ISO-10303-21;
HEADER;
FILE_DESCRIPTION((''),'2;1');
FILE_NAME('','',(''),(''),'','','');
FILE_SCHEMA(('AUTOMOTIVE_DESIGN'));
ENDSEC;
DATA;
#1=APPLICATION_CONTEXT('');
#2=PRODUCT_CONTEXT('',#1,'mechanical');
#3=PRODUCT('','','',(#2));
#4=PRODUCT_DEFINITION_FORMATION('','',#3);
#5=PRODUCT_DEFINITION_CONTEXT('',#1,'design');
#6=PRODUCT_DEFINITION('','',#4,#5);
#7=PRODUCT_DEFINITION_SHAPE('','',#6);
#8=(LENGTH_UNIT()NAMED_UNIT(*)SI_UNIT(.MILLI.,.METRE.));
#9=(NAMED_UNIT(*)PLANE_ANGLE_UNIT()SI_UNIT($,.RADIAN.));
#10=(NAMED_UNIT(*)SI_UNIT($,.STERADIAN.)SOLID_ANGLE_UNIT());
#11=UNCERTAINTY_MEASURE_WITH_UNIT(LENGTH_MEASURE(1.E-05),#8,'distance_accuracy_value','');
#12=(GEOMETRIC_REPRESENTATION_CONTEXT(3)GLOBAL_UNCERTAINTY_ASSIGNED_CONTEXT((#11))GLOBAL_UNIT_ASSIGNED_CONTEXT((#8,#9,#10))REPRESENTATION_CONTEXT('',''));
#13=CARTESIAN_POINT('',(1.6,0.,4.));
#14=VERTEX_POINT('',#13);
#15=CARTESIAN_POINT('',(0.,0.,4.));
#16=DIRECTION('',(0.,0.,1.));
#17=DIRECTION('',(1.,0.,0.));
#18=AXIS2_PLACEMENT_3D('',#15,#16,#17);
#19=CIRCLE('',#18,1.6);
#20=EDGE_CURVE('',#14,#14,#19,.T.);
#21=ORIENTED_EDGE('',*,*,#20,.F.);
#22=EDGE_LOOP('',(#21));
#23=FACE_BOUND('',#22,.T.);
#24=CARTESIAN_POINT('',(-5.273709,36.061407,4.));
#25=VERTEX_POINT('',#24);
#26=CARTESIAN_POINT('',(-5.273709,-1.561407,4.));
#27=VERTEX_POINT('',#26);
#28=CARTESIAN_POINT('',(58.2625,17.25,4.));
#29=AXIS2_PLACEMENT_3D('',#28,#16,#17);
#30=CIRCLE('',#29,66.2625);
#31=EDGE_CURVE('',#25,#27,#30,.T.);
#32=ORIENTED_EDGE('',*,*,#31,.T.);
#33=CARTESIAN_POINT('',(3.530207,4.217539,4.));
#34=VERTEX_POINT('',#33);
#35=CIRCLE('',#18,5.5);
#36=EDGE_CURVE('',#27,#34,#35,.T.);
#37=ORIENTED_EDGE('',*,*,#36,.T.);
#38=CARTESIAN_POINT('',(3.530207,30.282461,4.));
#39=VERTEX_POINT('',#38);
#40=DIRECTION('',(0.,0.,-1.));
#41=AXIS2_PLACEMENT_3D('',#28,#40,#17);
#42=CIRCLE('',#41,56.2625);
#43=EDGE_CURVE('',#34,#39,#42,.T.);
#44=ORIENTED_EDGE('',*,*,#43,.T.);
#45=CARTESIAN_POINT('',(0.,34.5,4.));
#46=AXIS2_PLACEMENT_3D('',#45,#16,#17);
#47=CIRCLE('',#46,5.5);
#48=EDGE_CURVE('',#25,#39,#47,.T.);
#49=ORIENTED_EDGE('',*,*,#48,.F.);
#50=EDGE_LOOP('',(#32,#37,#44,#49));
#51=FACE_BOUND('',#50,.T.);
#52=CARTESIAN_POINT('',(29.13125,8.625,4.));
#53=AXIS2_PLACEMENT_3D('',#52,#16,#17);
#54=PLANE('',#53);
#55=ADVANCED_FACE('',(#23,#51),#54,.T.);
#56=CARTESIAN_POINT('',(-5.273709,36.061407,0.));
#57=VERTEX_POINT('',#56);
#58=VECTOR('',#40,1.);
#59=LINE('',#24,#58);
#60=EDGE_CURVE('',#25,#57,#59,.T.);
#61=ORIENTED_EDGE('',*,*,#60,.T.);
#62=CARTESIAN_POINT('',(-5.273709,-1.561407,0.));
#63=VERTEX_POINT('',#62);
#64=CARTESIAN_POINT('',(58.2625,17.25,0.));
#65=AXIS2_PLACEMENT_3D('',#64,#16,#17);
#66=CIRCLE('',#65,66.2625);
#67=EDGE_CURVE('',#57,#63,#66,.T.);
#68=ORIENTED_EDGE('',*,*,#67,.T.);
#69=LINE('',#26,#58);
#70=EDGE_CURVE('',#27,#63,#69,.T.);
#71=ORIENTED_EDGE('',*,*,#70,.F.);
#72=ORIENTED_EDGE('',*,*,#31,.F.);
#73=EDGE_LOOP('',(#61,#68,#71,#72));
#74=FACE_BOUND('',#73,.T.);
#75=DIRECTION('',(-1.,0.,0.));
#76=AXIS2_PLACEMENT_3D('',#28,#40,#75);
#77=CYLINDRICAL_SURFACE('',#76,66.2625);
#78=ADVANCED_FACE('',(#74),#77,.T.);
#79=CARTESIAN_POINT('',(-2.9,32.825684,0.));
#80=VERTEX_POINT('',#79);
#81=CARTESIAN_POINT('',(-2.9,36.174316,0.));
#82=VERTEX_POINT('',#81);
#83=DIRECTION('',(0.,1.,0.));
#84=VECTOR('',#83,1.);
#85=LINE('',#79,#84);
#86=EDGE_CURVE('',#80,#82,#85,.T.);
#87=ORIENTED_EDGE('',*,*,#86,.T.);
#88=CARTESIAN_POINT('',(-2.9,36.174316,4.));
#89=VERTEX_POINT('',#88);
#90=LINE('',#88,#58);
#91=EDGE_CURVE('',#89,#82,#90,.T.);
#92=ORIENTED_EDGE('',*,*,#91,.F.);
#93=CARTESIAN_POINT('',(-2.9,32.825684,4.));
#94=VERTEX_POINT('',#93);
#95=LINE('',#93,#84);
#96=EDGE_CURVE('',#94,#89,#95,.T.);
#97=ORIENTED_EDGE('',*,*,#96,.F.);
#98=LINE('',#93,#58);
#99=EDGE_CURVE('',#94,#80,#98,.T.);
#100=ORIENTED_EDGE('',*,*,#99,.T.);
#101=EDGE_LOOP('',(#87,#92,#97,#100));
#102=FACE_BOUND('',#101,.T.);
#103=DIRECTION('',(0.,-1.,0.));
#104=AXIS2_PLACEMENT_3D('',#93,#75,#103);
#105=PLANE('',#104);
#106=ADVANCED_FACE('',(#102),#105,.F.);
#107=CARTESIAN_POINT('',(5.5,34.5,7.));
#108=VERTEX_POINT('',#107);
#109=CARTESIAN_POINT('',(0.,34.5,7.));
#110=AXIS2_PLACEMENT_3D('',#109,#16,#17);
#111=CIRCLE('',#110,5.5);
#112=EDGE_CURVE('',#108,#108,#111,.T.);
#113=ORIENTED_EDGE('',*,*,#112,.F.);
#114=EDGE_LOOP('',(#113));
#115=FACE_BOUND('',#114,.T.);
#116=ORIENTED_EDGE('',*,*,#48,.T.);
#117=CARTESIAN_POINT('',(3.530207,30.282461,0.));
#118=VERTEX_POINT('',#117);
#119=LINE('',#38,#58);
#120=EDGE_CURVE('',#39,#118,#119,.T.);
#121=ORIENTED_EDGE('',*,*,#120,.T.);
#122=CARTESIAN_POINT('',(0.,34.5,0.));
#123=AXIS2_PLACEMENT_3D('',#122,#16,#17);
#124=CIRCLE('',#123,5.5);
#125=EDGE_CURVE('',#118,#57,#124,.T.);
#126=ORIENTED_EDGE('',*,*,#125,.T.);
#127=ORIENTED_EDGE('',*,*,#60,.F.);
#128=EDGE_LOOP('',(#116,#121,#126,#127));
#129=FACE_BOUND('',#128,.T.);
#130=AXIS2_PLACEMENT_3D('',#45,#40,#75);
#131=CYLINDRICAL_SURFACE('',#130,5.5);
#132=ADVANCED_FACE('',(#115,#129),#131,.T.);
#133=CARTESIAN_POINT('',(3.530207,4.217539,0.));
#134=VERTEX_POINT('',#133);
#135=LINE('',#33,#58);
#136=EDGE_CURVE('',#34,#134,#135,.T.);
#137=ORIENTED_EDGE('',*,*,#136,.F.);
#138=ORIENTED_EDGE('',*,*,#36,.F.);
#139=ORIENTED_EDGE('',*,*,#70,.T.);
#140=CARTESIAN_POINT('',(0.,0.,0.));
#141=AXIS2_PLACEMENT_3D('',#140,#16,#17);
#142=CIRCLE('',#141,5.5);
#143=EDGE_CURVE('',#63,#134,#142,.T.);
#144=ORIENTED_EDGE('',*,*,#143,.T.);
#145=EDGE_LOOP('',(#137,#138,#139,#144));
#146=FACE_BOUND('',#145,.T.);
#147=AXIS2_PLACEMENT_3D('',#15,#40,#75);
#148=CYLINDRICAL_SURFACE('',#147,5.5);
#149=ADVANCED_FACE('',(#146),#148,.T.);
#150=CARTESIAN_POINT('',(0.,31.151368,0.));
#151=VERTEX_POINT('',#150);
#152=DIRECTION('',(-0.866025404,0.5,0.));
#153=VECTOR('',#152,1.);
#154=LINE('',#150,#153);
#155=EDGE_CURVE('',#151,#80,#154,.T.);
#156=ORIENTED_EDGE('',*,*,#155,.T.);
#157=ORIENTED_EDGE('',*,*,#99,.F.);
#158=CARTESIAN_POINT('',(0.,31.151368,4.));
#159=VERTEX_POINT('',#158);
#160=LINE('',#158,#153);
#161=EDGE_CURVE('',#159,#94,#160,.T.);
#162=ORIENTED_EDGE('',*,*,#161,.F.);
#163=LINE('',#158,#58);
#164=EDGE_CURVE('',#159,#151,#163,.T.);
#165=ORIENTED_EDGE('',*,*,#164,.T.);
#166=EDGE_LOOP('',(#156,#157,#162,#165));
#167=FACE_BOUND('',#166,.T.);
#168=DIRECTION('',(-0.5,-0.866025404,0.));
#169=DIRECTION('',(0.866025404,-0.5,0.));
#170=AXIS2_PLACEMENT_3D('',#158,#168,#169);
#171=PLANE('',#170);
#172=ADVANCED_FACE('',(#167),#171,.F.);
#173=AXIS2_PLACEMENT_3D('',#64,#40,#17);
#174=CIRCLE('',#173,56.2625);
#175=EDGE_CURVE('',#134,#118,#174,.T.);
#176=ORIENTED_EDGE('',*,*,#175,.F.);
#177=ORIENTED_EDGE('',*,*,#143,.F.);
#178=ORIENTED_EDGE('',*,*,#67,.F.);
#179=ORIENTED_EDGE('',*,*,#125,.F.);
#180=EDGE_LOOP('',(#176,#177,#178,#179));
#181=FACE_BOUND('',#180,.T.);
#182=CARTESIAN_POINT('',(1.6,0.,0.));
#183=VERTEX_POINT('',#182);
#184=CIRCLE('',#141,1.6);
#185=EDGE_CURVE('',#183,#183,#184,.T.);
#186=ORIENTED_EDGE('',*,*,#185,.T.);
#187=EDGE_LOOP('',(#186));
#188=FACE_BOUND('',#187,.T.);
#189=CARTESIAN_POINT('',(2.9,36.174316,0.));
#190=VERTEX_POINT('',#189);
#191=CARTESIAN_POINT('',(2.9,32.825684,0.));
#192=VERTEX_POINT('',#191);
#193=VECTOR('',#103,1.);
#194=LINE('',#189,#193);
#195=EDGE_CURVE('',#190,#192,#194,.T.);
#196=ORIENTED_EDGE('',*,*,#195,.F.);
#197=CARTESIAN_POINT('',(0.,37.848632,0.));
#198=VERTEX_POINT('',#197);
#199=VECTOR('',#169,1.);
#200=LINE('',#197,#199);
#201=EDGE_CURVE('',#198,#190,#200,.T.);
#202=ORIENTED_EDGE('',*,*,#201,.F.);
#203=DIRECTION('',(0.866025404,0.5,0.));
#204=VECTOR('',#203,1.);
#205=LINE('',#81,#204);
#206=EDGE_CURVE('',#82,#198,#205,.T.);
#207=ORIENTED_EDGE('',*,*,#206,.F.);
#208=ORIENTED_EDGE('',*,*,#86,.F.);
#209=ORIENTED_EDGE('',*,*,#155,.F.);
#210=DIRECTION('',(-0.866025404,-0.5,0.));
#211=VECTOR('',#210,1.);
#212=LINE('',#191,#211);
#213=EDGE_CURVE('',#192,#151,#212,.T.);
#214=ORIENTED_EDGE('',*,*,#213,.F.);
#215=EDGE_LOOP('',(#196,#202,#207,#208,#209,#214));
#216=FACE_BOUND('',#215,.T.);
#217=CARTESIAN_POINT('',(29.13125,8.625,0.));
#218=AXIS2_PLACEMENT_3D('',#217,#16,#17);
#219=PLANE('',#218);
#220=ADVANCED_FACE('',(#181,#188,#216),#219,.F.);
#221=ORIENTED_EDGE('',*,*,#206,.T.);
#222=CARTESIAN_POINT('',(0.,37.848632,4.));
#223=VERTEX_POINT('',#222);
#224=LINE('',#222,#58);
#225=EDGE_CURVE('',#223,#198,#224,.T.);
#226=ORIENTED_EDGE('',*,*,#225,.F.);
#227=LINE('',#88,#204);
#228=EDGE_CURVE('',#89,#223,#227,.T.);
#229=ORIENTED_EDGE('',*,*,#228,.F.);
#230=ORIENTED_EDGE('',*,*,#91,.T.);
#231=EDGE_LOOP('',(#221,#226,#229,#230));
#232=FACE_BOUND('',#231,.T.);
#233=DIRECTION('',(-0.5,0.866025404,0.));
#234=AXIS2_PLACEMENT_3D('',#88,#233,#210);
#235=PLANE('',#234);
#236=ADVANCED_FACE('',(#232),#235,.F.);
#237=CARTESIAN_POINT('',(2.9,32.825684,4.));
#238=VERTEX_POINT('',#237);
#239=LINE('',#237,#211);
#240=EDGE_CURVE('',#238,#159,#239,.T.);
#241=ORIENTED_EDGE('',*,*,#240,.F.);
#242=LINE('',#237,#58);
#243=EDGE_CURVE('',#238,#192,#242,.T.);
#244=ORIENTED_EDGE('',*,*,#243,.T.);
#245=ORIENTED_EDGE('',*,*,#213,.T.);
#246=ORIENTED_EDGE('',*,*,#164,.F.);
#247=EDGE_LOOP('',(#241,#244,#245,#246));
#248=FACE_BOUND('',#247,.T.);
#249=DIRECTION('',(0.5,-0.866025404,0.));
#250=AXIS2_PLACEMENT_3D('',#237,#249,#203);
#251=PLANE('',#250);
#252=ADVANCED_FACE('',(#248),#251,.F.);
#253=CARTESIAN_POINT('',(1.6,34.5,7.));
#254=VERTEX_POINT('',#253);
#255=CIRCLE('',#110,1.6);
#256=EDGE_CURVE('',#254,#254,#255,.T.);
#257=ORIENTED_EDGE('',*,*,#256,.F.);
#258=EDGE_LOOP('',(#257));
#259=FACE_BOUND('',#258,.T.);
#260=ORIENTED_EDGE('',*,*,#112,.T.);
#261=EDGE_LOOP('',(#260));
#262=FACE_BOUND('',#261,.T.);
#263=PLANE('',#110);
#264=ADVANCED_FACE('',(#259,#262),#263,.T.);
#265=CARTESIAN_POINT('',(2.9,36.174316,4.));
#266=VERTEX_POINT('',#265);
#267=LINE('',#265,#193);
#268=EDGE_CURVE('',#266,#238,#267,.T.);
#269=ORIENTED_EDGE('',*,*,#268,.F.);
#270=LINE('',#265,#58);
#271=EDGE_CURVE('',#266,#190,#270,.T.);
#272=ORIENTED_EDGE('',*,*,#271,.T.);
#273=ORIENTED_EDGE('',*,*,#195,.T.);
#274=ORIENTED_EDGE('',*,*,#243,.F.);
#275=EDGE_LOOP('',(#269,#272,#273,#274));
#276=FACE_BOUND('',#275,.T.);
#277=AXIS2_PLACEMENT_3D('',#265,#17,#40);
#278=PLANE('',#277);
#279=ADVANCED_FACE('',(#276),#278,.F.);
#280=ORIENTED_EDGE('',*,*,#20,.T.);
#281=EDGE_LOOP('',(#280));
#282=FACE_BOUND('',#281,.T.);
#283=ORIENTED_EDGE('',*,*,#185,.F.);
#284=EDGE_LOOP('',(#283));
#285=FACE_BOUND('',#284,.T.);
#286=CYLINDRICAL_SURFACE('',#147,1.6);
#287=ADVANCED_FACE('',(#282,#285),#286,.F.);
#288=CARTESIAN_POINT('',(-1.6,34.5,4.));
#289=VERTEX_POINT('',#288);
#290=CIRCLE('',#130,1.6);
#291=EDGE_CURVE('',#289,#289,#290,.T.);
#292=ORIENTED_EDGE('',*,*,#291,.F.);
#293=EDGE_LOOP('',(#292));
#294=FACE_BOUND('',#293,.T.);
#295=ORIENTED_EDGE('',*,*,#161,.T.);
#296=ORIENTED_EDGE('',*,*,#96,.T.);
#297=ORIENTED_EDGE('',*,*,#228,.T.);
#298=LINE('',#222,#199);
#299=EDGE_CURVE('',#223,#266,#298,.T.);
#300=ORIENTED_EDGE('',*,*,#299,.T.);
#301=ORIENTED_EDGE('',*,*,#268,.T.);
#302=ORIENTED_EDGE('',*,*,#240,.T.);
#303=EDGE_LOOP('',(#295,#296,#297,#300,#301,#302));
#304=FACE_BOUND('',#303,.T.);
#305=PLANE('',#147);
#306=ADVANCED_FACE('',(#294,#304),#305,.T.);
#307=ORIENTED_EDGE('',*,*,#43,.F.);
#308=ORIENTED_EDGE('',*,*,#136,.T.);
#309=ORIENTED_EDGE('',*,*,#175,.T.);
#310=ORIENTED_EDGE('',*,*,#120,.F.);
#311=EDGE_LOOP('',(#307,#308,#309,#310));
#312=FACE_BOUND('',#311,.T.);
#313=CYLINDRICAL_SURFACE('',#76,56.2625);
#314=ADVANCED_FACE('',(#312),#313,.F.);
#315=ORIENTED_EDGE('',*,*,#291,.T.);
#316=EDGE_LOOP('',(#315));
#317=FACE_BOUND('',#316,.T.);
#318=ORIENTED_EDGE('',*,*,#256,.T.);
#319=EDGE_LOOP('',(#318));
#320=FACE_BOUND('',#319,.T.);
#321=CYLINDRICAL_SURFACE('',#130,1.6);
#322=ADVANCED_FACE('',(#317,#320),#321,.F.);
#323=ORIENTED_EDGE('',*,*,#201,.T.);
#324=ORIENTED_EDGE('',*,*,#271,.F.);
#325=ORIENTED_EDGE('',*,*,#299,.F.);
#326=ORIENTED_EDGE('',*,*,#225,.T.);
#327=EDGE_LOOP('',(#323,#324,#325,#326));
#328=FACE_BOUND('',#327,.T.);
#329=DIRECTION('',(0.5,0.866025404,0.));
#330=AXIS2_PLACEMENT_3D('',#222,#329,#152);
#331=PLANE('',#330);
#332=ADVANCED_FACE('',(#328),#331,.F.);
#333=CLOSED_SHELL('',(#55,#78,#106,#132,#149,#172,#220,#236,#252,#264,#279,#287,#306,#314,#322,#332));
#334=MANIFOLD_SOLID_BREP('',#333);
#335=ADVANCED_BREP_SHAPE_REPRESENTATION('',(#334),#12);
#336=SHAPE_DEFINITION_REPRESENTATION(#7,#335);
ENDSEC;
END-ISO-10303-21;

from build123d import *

# Parameters (mm, degrees)
IZIM1_R                     = 1.6
Y_KSEKLIK_EKSTR_ZYON1_DEPTH = 4
IZIM3_R                     = 5.5
IZIM3_R_2                   = 1.6
Y_KSEKLIK_EKSTR_ZYON3_DEPTH = 3
KES_EKSTR_ZYON1_DEPTH       = 4


with BuildPart() as part:
    # Çizim1 → Yükseklik-Ekstrüzyon1 (new body)
    with BuildSketch(Plane.XY):
        with BuildLine():
            ThreePointArc((-5.273709113, -1.561407118), (3.018112795, -4.597933792), (3.530207231, 4.2175392))
            ThreePointArc((3.530207231, 4.2175392), (2, 17.25), (3.530207231, 30.2824608))
            ThreePointArc((3.530207231, 30.2824608), (3.018112795, 39.097933792), (-5.273709113, 36.061407118))
            ThreePointArc((-5.273709113, 36.061407118), (-8, 17.25), (-5.273709113, -1.561407118))
        make_face()
        with Locations((0, 34.5)):
            Circle(IZIM1_R, mode=Mode.SUBTRACT)
        Circle(IZIM1_R, mode=Mode.SUBTRACT)
    extrude(amount=Y_KSEKLIK_EKSTR_ZYON1_DEPTH)

    # Çizim3 → Yükseklik-Ekstrüzyon3 (add)
    with BuildSketch(Plane.XY.offset(4)):
        with Locations(Location((0, 34.5, 0), (0, 0, 163.507358371))):
            Circle(IZIM3_R)
        with Locations((0, 34.5)):
            Circle(IZIM3_R_2, mode=Mode.SUBTRACT)
    extrude(amount=Y_KSEKLIK_EKSTR_ZYON3_DEPTH)

    # Çizim4 → Kes-Ekstrüzyon1 (cut)
    with BuildSketch(Plane(origin=(0, 0, 0), x_dir=(-1, 0, 0), z_dir=(0, 0, -1))):
        Polygon((2.9, 36.174315781), (0, 37.848631561), (-2.9, 36.174315781), (-2.9, 32.825684219), (0, 31.151368439), (2.9, 32.825684219), align=None)
    extrude(amount=-KES_EKSTR_ZYON1_DEPTH, mode=Mode.SUBTRACT)


solid = part.part
